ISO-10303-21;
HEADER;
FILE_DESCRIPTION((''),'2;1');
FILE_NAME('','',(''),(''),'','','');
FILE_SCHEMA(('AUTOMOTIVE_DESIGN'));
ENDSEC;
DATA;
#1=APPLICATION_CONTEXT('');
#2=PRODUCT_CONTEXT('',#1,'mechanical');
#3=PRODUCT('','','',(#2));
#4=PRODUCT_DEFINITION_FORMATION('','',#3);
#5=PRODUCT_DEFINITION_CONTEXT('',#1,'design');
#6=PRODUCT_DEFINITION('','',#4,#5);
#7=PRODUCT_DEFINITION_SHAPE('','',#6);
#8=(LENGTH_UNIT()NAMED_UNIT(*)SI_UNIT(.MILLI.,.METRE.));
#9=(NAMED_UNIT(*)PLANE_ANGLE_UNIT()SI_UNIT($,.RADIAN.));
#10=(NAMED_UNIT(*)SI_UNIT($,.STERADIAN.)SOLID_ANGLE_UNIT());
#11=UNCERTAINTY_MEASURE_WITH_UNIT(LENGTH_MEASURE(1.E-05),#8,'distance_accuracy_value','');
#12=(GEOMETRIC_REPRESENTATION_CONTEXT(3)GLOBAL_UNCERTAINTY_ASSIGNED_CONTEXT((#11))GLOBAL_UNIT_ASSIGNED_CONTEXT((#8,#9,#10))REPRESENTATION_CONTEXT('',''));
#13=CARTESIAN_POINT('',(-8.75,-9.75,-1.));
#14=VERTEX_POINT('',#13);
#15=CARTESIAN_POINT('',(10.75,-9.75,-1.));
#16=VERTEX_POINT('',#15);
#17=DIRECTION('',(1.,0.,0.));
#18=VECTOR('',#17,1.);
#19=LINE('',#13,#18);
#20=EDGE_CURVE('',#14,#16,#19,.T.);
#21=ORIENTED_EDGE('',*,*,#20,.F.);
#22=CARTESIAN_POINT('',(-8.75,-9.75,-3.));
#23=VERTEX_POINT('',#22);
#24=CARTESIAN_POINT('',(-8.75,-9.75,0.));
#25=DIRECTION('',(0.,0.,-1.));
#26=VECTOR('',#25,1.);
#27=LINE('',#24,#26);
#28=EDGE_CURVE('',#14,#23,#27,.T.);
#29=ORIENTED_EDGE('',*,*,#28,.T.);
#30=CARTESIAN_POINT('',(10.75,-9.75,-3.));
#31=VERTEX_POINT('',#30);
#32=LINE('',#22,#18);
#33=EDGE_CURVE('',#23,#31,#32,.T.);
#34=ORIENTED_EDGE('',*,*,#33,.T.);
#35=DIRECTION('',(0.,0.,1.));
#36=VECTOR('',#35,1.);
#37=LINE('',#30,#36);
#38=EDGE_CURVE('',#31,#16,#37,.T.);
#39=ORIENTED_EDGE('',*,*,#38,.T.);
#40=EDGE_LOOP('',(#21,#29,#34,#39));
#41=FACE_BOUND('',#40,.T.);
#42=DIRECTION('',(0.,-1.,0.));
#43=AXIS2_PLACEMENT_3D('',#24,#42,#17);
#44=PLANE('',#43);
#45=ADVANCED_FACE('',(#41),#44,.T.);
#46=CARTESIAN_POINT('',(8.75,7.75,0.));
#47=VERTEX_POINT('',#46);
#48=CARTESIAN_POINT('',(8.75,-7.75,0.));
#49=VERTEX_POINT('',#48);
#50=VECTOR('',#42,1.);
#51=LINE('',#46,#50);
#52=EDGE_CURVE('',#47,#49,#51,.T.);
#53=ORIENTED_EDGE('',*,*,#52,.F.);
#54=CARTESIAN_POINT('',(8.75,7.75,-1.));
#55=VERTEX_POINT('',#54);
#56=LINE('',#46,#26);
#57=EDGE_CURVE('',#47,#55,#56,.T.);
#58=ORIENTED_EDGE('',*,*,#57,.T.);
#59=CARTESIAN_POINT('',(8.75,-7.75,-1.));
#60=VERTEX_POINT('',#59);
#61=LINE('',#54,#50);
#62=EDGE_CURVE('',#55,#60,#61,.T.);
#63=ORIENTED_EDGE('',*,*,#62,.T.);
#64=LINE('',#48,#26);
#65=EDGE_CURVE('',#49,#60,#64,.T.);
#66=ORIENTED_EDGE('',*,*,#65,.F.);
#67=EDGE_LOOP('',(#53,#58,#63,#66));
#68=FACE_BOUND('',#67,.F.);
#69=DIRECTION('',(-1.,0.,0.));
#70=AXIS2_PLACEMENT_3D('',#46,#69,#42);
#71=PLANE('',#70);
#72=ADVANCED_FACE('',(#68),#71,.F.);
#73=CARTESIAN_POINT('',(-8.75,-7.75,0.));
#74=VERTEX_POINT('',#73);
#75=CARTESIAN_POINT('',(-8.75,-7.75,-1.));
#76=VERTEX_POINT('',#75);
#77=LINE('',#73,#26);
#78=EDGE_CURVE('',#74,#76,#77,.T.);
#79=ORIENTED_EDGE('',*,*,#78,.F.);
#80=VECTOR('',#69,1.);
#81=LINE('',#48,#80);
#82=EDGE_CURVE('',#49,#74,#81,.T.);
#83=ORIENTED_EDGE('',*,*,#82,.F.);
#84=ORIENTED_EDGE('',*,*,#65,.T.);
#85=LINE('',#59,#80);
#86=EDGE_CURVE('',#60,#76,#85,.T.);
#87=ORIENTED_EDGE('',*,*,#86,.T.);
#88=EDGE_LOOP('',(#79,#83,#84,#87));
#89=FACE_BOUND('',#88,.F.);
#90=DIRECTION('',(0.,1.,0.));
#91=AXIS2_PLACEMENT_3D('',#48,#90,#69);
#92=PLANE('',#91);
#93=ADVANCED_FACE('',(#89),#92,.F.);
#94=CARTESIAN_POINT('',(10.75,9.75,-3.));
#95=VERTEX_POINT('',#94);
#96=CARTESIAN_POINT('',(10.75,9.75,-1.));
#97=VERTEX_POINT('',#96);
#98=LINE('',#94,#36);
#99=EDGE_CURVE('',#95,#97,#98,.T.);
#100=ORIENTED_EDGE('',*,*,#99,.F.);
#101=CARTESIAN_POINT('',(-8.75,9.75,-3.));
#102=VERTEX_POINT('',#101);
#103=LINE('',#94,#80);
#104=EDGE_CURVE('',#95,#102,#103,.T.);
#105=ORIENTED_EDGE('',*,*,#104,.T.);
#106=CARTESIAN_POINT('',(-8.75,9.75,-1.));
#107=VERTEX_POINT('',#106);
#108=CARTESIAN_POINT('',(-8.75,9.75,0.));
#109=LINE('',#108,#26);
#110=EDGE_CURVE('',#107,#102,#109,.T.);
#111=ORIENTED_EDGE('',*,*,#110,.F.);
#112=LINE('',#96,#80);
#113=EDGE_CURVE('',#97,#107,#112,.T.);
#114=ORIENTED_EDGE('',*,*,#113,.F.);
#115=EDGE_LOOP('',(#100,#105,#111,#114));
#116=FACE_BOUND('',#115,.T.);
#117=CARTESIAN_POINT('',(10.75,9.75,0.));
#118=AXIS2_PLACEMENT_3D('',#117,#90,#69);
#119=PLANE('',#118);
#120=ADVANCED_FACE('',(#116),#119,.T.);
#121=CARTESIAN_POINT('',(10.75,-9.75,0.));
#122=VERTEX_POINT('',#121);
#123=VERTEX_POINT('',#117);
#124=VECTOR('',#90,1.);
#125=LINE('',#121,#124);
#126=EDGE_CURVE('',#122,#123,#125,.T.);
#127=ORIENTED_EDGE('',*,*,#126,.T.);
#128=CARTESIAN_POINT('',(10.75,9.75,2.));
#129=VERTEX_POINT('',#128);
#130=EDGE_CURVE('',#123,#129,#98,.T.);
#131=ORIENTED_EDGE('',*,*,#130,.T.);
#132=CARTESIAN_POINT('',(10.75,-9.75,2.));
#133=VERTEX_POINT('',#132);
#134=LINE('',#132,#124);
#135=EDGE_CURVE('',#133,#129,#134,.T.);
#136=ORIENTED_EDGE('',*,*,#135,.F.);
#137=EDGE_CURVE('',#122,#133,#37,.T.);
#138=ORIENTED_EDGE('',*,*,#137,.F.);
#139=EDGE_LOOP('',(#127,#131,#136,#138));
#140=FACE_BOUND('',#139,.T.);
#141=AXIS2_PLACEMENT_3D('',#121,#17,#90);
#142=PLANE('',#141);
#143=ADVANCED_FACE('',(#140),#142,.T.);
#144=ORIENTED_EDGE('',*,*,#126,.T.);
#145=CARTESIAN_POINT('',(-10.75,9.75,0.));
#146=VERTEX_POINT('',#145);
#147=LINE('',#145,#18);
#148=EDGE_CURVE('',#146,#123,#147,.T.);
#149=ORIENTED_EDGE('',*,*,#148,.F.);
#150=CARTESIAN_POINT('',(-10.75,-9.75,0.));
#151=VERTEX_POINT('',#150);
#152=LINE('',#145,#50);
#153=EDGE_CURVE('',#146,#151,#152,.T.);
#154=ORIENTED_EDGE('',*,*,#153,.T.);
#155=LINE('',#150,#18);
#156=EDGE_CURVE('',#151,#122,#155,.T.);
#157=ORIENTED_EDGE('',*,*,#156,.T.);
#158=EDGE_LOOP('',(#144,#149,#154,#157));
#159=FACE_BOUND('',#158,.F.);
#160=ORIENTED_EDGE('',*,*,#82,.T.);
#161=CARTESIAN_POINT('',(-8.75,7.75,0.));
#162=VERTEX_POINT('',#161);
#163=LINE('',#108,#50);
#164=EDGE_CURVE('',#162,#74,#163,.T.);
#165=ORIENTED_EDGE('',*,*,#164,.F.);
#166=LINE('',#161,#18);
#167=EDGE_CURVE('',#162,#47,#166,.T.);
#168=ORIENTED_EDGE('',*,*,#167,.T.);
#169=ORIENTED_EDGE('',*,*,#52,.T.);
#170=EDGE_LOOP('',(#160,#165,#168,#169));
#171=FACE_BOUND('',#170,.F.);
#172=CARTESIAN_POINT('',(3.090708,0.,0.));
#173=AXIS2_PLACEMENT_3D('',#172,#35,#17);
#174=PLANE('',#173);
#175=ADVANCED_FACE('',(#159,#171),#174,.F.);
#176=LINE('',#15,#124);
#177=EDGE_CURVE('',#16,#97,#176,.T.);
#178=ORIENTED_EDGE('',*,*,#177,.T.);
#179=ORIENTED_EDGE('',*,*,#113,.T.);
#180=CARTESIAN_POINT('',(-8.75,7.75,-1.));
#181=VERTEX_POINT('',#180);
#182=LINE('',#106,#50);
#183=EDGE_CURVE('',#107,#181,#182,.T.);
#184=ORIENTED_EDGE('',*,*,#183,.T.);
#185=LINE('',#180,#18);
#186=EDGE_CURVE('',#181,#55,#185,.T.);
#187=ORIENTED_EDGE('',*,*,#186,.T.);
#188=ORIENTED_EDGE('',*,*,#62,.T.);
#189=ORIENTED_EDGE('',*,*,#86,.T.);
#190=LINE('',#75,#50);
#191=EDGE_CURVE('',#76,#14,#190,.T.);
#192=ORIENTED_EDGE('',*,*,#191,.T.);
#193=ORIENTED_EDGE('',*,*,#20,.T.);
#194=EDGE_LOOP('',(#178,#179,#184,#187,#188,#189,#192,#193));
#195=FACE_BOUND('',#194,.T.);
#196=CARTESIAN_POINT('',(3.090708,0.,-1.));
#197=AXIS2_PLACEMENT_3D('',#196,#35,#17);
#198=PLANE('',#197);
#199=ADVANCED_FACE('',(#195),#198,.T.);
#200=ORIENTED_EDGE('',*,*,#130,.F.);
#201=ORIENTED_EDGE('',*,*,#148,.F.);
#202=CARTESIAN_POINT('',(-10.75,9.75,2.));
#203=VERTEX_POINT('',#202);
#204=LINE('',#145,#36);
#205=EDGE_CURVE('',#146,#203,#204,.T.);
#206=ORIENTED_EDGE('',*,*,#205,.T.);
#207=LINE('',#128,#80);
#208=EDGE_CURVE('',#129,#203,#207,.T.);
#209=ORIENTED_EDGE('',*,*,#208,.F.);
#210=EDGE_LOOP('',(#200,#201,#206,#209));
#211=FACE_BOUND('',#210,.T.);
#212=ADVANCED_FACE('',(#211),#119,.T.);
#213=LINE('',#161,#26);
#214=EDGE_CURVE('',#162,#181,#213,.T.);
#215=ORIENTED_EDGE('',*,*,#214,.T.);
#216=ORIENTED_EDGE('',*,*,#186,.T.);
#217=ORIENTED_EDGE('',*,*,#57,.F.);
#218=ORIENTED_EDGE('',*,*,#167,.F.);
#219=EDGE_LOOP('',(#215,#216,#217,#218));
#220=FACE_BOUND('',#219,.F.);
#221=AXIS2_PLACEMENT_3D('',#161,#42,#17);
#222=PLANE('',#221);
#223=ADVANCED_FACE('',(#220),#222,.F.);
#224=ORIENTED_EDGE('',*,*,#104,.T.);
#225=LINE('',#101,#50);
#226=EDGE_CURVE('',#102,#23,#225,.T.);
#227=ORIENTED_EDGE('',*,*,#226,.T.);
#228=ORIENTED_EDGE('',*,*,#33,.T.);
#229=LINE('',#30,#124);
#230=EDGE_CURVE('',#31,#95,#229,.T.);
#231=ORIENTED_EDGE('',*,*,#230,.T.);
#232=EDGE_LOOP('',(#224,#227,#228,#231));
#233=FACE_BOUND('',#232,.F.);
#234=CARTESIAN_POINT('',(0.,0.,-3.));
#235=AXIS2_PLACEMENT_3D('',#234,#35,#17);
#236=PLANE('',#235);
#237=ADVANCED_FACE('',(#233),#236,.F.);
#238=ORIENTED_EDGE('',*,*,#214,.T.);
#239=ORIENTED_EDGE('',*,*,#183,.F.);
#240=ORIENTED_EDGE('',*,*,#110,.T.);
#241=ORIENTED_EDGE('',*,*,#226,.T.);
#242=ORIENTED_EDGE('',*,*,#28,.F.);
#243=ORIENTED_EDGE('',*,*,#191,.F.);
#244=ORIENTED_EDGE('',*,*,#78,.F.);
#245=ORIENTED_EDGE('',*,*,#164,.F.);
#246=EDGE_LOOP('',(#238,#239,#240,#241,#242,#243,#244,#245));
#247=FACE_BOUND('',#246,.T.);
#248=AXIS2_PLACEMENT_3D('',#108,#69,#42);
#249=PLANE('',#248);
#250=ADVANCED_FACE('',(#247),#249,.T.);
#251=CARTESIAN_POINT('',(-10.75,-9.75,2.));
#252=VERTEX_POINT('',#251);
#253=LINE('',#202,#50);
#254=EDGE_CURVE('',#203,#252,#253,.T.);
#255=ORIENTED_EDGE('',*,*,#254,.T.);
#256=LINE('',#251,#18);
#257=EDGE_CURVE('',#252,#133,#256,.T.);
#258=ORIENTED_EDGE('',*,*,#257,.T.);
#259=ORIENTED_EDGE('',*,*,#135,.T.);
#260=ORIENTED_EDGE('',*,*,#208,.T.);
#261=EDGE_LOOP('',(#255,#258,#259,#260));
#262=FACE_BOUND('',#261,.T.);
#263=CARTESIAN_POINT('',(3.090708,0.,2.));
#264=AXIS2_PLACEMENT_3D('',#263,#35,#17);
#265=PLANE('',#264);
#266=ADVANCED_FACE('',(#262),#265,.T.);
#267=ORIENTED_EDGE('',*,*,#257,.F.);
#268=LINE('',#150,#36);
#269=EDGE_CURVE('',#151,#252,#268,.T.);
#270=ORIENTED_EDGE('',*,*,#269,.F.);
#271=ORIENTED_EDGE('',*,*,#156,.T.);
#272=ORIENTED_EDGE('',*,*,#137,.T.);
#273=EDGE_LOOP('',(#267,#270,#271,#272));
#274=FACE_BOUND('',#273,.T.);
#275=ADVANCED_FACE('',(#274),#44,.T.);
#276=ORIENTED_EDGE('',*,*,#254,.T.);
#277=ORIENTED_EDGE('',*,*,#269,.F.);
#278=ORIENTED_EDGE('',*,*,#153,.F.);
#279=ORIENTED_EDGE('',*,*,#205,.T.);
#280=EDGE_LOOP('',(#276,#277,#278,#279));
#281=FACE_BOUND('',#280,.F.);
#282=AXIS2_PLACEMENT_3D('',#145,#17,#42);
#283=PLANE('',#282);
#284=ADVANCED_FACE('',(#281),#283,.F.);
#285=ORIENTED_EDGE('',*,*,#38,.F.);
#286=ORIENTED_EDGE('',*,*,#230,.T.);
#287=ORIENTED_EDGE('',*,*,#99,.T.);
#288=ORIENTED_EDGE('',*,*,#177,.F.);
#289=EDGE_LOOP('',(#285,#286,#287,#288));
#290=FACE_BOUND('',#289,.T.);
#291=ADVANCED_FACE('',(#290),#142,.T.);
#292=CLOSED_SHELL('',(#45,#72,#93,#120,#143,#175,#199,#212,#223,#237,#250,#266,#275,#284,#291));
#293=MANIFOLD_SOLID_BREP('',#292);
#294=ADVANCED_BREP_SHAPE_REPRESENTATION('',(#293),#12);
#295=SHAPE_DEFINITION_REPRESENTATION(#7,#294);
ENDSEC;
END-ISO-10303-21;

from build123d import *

# Parameters (mm, degrees)
F0_W     = 17.5
F0_H     = 15.5
F1_DEPTH = 2
F2_DEPTH = 3
F3_DEPTH = 1


with BuildPart() as f1:
    # F0 (on Top) → F1 (new body)
    with BuildSketch(Plane.XY):
        Polygon((-8.75, -7.75), (-8.75, -9.75), (10.75, -9.75), (10.75, 9.75), (-8.75, 9.75), (-8.75, 7.75), (8.75, 7.75), (8.75, -7.75), align=None)
        Rectangle(F0_W, F0_H)
        Polygon((-10.75, 9.75), (-10.75, -9.75), (-8.75, -9.75), (-8.75, -7.75), (-8.75, 7.75), (-8.75, 9.75), align=None)
    extrude(amount=F1_DEPTH)

    # F0 (on Top) → F2 (join)
    with BuildSketch(Plane.XY):
        Rectangle(F0_W, F0_H)
        Polygon((-8.75, -7.75), (-8.75, -9.75), (10.75, -9.75), (10.75, 9.75), (-8.75, 9.75), (-8.75, 7.75), (8.75, 7.75), (8.75, -7.75), align=None)
    extrude(amount=-F2_DEPTH)

    # F0 (on Top) → F3 (cut)
    with BuildSketch(Plane.XY):
        Polygon((-8.75, -7.75), (-8.75, -9.75), (10.75, -9.75), (10.75, 9.75), (-8.75, 9.75), (-8.75, 7.75), (8.75, 7.75), (8.75, -7.75), align=None)
    extrude(amount=-F3_DEPTH, mode=Mode.SUBTRACT)


solid = f1.part
